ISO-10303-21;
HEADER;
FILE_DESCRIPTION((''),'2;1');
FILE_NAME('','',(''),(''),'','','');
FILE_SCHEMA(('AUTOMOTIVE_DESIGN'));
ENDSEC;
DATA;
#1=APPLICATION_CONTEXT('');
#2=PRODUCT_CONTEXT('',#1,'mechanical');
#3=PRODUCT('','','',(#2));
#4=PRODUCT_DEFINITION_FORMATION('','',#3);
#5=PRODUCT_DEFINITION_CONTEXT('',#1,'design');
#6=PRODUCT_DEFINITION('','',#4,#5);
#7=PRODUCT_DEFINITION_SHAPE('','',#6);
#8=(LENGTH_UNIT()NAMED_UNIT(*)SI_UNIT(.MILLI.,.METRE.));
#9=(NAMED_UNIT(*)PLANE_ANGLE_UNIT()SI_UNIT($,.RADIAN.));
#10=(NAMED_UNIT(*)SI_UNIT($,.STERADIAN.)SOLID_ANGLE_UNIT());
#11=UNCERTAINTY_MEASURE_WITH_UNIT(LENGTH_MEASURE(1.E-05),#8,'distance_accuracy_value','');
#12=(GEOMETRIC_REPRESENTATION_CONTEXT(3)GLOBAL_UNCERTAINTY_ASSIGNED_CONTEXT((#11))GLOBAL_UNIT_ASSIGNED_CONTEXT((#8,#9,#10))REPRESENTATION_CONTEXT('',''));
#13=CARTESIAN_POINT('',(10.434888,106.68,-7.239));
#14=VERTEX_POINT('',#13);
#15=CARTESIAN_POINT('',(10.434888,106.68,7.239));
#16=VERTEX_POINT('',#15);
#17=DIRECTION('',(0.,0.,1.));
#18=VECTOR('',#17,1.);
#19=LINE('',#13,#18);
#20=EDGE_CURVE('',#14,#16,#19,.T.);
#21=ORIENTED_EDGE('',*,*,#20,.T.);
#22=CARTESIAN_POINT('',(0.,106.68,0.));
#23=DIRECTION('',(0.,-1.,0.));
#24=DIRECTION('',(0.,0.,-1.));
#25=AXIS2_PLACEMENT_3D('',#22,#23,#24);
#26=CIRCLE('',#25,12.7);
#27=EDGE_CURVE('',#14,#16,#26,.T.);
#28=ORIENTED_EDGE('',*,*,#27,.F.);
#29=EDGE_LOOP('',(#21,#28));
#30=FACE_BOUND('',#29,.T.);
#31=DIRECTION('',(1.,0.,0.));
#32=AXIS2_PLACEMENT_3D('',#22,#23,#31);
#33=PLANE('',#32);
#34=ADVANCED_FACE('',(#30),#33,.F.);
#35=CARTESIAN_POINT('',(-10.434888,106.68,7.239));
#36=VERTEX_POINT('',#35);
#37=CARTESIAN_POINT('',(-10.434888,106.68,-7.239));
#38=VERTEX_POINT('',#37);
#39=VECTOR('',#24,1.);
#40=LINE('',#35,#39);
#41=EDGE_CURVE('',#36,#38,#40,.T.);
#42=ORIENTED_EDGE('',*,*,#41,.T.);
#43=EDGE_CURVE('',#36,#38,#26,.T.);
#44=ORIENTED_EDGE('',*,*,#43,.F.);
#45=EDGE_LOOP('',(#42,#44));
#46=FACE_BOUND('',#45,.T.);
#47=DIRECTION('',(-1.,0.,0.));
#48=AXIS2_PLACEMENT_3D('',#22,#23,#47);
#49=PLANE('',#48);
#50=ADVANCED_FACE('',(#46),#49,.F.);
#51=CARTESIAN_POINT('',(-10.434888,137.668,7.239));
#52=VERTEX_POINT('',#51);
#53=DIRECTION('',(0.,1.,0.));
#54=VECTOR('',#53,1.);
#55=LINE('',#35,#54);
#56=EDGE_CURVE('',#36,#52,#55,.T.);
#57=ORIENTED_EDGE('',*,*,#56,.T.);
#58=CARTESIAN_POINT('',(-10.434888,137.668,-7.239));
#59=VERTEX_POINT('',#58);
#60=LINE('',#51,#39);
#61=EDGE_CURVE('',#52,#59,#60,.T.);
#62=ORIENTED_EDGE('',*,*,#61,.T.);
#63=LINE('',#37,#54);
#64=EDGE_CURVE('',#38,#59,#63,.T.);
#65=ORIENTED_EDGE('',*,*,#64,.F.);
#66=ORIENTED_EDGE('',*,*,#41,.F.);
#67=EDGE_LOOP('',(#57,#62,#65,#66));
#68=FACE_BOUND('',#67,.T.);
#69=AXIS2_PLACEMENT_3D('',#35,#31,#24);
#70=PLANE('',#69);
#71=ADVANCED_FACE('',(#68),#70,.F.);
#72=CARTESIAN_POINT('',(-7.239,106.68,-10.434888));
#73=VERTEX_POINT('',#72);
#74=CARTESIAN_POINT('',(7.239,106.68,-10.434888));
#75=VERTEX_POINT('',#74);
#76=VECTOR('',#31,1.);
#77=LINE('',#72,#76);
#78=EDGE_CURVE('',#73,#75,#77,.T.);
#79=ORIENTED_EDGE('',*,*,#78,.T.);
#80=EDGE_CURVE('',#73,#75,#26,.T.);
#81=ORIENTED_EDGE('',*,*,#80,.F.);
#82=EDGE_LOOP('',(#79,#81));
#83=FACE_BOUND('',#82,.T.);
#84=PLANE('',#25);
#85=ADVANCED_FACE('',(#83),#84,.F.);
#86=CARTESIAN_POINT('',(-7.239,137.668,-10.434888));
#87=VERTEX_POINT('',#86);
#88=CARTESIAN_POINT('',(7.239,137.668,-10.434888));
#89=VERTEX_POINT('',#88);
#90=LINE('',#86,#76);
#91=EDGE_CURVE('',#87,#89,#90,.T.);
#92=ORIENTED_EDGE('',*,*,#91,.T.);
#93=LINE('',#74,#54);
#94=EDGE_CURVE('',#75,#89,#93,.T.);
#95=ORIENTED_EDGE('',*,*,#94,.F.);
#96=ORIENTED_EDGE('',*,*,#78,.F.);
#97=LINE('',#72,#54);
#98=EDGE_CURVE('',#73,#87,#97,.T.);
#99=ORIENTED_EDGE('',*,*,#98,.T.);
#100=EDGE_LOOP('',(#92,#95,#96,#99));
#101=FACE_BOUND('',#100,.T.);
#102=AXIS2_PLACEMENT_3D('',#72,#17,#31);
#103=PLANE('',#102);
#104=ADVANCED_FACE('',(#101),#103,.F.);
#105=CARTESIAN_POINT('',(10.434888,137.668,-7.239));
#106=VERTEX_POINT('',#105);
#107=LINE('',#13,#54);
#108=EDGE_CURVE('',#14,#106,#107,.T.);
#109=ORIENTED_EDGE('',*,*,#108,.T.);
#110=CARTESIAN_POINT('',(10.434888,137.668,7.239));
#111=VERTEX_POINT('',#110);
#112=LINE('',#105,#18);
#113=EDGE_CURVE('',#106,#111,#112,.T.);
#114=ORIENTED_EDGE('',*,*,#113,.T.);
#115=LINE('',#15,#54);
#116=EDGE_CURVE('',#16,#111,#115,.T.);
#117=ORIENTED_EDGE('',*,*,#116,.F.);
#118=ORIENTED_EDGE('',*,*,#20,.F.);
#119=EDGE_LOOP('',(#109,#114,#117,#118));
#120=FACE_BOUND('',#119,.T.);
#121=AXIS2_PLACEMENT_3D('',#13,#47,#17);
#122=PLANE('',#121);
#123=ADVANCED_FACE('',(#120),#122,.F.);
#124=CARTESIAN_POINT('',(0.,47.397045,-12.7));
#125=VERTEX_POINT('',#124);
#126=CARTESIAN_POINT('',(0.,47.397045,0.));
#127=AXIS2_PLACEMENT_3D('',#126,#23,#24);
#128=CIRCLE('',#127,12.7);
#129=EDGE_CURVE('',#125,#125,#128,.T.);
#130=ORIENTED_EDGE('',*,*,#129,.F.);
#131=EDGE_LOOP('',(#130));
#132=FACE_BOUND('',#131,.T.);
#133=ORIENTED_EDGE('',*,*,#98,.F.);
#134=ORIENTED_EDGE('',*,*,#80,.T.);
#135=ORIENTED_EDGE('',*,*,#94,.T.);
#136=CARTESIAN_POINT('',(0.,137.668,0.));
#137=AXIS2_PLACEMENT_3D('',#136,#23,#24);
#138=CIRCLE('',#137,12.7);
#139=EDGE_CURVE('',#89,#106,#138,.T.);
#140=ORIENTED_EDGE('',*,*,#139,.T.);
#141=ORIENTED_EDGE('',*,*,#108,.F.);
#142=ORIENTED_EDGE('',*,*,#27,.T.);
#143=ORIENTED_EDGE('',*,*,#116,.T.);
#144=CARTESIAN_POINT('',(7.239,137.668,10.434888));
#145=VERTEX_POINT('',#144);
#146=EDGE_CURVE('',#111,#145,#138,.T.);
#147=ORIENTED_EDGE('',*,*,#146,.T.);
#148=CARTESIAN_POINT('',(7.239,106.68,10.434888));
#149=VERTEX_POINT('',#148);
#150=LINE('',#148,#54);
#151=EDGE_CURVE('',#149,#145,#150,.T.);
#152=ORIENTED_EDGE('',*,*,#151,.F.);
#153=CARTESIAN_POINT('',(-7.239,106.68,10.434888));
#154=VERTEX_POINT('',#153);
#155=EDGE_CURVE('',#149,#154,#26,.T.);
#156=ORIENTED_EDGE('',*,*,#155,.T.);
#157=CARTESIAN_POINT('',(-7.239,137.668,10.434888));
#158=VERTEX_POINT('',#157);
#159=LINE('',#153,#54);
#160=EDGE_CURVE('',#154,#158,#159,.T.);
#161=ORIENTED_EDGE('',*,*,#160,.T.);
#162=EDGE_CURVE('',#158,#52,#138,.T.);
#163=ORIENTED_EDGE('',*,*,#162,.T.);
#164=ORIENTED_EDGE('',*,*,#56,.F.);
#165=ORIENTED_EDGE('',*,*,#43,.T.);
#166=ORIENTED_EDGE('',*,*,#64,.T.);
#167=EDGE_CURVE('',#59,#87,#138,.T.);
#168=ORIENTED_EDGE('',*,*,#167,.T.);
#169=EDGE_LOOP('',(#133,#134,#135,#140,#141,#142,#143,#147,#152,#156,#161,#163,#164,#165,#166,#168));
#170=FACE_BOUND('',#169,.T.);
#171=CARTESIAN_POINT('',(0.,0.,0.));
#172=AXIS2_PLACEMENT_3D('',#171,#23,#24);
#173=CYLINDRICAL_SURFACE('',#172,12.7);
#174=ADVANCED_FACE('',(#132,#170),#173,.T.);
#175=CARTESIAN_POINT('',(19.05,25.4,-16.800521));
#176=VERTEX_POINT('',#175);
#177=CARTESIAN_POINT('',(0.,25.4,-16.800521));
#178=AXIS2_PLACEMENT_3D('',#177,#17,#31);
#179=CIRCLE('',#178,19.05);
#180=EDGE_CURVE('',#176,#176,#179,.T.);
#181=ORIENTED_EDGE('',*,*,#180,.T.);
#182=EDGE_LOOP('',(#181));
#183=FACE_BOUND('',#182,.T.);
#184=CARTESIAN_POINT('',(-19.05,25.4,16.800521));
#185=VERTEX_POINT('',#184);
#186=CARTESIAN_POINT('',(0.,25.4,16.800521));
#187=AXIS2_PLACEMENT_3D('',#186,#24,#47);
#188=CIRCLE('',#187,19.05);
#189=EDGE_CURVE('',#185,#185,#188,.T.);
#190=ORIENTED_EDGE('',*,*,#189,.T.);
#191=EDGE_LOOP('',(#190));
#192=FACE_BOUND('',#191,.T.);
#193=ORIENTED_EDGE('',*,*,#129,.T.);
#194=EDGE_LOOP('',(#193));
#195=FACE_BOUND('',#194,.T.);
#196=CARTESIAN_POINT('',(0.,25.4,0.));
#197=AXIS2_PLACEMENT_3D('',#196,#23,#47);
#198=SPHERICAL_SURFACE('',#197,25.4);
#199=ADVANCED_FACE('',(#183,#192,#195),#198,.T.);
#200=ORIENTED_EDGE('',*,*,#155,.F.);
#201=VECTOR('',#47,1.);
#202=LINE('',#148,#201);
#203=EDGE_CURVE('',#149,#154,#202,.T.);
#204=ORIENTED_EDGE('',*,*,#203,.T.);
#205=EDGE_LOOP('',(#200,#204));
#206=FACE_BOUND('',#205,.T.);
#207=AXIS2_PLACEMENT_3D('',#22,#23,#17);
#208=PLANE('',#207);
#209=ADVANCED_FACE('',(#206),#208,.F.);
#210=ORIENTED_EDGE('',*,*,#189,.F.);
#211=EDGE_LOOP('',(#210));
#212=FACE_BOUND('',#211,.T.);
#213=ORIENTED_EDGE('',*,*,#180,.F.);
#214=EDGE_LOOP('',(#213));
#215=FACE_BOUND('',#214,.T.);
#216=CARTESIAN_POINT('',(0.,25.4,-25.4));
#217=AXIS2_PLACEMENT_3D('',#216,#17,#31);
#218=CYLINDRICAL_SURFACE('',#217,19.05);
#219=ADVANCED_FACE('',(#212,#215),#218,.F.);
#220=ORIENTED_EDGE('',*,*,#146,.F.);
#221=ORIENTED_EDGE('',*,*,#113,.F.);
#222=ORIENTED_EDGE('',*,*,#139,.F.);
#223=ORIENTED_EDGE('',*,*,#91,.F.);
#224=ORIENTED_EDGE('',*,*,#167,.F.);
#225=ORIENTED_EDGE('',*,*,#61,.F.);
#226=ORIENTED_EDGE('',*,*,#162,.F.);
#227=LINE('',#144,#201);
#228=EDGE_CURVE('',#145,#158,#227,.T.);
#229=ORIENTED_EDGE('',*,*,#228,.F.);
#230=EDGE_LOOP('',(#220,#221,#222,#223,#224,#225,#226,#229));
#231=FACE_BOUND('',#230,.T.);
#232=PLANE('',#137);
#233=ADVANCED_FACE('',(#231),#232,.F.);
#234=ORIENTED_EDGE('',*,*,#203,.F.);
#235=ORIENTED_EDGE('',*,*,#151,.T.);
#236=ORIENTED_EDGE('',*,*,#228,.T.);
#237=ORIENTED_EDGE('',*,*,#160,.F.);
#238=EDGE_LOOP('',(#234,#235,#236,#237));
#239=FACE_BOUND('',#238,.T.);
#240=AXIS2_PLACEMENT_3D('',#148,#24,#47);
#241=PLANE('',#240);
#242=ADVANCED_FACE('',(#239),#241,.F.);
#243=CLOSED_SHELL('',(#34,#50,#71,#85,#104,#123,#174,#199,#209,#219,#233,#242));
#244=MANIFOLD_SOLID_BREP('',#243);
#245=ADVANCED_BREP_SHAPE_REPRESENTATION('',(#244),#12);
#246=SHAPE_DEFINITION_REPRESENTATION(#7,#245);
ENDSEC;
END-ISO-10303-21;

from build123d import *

# Parameters (mm, degrees)
SKETCH3_R               = 19.05
CUT_EXTRUDE1_DEPTH      = 26.4
CUT_EXTRUDE1_DEPTH_BACK = 26.4
SKETCH4_W               = 14.478
SKETCH4_H               = 4.572
CUT_EXTRUDE3_DEPTH      = 30.988
CIRPATTERN2_COUNT       = 4


with BuildPart() as part:
    # Sketch2 → Revolve1 (revolve)
    with BuildSketch(Plane.XY):
        with BuildLine():
            Line((0, 0), (0, 137.668))
            Line((0, 137.668), (-12.7, 137.668))
            Line((-12.7, 137.668), (-12.7, 47.397045256))
            ThreePointArc((-12.7, 47.397045256), (-24.534515988, 18.825996254), (0, 0))
        make_face()
    revolve(axis=Axis((0, 0, 0), (0, 1, 0)))

    # Sketch3 → Cut-Extrude1 (cut, two sides)
    with BuildSketch(Plane.XY) as cut_extrude1_sk:
        with Locations((0, 25.4)):
            Circle(SKETCH3_R)
    extrude(amount=CUT_EXTRUDE1_DEPTH, mode=Mode.SUBTRACT)
    extrude(cut_extrude1_sk.sketch, amount=-CUT_EXTRUDE1_DEPTH_BACK, mode=Mode.SUBTRACT)

    # Sketch4 → Cut-Extrude3 (cut)
    with BuildSketch(Plane(origin=(0, 137.668, 0), x_dir=(1, 0, 0), z_dir=(0, 1, 0))):
        with Locations((0, 12.720887589)):
            Rectangle(SKETCH4_W, SKETCH4_H)
    cut_extrude3 = extrude(amount=-CUT_EXTRUDE3_DEPTH, mode=Mode.SUBTRACT)

    # CirPattern2: Cut-Extrude3 ×4 about axis
    cirpattern2_axis = Axis((0, 0, 0), (0, 1, 0))
    for i in range(1, CIRPATTERN2_COUNT):
        add(cut_extrude3.rotate(cirpattern2_axis, i * 360 / CIRPATTERN2_COUNT), mode=Mode.SUBTRACT)


solid = part.part
